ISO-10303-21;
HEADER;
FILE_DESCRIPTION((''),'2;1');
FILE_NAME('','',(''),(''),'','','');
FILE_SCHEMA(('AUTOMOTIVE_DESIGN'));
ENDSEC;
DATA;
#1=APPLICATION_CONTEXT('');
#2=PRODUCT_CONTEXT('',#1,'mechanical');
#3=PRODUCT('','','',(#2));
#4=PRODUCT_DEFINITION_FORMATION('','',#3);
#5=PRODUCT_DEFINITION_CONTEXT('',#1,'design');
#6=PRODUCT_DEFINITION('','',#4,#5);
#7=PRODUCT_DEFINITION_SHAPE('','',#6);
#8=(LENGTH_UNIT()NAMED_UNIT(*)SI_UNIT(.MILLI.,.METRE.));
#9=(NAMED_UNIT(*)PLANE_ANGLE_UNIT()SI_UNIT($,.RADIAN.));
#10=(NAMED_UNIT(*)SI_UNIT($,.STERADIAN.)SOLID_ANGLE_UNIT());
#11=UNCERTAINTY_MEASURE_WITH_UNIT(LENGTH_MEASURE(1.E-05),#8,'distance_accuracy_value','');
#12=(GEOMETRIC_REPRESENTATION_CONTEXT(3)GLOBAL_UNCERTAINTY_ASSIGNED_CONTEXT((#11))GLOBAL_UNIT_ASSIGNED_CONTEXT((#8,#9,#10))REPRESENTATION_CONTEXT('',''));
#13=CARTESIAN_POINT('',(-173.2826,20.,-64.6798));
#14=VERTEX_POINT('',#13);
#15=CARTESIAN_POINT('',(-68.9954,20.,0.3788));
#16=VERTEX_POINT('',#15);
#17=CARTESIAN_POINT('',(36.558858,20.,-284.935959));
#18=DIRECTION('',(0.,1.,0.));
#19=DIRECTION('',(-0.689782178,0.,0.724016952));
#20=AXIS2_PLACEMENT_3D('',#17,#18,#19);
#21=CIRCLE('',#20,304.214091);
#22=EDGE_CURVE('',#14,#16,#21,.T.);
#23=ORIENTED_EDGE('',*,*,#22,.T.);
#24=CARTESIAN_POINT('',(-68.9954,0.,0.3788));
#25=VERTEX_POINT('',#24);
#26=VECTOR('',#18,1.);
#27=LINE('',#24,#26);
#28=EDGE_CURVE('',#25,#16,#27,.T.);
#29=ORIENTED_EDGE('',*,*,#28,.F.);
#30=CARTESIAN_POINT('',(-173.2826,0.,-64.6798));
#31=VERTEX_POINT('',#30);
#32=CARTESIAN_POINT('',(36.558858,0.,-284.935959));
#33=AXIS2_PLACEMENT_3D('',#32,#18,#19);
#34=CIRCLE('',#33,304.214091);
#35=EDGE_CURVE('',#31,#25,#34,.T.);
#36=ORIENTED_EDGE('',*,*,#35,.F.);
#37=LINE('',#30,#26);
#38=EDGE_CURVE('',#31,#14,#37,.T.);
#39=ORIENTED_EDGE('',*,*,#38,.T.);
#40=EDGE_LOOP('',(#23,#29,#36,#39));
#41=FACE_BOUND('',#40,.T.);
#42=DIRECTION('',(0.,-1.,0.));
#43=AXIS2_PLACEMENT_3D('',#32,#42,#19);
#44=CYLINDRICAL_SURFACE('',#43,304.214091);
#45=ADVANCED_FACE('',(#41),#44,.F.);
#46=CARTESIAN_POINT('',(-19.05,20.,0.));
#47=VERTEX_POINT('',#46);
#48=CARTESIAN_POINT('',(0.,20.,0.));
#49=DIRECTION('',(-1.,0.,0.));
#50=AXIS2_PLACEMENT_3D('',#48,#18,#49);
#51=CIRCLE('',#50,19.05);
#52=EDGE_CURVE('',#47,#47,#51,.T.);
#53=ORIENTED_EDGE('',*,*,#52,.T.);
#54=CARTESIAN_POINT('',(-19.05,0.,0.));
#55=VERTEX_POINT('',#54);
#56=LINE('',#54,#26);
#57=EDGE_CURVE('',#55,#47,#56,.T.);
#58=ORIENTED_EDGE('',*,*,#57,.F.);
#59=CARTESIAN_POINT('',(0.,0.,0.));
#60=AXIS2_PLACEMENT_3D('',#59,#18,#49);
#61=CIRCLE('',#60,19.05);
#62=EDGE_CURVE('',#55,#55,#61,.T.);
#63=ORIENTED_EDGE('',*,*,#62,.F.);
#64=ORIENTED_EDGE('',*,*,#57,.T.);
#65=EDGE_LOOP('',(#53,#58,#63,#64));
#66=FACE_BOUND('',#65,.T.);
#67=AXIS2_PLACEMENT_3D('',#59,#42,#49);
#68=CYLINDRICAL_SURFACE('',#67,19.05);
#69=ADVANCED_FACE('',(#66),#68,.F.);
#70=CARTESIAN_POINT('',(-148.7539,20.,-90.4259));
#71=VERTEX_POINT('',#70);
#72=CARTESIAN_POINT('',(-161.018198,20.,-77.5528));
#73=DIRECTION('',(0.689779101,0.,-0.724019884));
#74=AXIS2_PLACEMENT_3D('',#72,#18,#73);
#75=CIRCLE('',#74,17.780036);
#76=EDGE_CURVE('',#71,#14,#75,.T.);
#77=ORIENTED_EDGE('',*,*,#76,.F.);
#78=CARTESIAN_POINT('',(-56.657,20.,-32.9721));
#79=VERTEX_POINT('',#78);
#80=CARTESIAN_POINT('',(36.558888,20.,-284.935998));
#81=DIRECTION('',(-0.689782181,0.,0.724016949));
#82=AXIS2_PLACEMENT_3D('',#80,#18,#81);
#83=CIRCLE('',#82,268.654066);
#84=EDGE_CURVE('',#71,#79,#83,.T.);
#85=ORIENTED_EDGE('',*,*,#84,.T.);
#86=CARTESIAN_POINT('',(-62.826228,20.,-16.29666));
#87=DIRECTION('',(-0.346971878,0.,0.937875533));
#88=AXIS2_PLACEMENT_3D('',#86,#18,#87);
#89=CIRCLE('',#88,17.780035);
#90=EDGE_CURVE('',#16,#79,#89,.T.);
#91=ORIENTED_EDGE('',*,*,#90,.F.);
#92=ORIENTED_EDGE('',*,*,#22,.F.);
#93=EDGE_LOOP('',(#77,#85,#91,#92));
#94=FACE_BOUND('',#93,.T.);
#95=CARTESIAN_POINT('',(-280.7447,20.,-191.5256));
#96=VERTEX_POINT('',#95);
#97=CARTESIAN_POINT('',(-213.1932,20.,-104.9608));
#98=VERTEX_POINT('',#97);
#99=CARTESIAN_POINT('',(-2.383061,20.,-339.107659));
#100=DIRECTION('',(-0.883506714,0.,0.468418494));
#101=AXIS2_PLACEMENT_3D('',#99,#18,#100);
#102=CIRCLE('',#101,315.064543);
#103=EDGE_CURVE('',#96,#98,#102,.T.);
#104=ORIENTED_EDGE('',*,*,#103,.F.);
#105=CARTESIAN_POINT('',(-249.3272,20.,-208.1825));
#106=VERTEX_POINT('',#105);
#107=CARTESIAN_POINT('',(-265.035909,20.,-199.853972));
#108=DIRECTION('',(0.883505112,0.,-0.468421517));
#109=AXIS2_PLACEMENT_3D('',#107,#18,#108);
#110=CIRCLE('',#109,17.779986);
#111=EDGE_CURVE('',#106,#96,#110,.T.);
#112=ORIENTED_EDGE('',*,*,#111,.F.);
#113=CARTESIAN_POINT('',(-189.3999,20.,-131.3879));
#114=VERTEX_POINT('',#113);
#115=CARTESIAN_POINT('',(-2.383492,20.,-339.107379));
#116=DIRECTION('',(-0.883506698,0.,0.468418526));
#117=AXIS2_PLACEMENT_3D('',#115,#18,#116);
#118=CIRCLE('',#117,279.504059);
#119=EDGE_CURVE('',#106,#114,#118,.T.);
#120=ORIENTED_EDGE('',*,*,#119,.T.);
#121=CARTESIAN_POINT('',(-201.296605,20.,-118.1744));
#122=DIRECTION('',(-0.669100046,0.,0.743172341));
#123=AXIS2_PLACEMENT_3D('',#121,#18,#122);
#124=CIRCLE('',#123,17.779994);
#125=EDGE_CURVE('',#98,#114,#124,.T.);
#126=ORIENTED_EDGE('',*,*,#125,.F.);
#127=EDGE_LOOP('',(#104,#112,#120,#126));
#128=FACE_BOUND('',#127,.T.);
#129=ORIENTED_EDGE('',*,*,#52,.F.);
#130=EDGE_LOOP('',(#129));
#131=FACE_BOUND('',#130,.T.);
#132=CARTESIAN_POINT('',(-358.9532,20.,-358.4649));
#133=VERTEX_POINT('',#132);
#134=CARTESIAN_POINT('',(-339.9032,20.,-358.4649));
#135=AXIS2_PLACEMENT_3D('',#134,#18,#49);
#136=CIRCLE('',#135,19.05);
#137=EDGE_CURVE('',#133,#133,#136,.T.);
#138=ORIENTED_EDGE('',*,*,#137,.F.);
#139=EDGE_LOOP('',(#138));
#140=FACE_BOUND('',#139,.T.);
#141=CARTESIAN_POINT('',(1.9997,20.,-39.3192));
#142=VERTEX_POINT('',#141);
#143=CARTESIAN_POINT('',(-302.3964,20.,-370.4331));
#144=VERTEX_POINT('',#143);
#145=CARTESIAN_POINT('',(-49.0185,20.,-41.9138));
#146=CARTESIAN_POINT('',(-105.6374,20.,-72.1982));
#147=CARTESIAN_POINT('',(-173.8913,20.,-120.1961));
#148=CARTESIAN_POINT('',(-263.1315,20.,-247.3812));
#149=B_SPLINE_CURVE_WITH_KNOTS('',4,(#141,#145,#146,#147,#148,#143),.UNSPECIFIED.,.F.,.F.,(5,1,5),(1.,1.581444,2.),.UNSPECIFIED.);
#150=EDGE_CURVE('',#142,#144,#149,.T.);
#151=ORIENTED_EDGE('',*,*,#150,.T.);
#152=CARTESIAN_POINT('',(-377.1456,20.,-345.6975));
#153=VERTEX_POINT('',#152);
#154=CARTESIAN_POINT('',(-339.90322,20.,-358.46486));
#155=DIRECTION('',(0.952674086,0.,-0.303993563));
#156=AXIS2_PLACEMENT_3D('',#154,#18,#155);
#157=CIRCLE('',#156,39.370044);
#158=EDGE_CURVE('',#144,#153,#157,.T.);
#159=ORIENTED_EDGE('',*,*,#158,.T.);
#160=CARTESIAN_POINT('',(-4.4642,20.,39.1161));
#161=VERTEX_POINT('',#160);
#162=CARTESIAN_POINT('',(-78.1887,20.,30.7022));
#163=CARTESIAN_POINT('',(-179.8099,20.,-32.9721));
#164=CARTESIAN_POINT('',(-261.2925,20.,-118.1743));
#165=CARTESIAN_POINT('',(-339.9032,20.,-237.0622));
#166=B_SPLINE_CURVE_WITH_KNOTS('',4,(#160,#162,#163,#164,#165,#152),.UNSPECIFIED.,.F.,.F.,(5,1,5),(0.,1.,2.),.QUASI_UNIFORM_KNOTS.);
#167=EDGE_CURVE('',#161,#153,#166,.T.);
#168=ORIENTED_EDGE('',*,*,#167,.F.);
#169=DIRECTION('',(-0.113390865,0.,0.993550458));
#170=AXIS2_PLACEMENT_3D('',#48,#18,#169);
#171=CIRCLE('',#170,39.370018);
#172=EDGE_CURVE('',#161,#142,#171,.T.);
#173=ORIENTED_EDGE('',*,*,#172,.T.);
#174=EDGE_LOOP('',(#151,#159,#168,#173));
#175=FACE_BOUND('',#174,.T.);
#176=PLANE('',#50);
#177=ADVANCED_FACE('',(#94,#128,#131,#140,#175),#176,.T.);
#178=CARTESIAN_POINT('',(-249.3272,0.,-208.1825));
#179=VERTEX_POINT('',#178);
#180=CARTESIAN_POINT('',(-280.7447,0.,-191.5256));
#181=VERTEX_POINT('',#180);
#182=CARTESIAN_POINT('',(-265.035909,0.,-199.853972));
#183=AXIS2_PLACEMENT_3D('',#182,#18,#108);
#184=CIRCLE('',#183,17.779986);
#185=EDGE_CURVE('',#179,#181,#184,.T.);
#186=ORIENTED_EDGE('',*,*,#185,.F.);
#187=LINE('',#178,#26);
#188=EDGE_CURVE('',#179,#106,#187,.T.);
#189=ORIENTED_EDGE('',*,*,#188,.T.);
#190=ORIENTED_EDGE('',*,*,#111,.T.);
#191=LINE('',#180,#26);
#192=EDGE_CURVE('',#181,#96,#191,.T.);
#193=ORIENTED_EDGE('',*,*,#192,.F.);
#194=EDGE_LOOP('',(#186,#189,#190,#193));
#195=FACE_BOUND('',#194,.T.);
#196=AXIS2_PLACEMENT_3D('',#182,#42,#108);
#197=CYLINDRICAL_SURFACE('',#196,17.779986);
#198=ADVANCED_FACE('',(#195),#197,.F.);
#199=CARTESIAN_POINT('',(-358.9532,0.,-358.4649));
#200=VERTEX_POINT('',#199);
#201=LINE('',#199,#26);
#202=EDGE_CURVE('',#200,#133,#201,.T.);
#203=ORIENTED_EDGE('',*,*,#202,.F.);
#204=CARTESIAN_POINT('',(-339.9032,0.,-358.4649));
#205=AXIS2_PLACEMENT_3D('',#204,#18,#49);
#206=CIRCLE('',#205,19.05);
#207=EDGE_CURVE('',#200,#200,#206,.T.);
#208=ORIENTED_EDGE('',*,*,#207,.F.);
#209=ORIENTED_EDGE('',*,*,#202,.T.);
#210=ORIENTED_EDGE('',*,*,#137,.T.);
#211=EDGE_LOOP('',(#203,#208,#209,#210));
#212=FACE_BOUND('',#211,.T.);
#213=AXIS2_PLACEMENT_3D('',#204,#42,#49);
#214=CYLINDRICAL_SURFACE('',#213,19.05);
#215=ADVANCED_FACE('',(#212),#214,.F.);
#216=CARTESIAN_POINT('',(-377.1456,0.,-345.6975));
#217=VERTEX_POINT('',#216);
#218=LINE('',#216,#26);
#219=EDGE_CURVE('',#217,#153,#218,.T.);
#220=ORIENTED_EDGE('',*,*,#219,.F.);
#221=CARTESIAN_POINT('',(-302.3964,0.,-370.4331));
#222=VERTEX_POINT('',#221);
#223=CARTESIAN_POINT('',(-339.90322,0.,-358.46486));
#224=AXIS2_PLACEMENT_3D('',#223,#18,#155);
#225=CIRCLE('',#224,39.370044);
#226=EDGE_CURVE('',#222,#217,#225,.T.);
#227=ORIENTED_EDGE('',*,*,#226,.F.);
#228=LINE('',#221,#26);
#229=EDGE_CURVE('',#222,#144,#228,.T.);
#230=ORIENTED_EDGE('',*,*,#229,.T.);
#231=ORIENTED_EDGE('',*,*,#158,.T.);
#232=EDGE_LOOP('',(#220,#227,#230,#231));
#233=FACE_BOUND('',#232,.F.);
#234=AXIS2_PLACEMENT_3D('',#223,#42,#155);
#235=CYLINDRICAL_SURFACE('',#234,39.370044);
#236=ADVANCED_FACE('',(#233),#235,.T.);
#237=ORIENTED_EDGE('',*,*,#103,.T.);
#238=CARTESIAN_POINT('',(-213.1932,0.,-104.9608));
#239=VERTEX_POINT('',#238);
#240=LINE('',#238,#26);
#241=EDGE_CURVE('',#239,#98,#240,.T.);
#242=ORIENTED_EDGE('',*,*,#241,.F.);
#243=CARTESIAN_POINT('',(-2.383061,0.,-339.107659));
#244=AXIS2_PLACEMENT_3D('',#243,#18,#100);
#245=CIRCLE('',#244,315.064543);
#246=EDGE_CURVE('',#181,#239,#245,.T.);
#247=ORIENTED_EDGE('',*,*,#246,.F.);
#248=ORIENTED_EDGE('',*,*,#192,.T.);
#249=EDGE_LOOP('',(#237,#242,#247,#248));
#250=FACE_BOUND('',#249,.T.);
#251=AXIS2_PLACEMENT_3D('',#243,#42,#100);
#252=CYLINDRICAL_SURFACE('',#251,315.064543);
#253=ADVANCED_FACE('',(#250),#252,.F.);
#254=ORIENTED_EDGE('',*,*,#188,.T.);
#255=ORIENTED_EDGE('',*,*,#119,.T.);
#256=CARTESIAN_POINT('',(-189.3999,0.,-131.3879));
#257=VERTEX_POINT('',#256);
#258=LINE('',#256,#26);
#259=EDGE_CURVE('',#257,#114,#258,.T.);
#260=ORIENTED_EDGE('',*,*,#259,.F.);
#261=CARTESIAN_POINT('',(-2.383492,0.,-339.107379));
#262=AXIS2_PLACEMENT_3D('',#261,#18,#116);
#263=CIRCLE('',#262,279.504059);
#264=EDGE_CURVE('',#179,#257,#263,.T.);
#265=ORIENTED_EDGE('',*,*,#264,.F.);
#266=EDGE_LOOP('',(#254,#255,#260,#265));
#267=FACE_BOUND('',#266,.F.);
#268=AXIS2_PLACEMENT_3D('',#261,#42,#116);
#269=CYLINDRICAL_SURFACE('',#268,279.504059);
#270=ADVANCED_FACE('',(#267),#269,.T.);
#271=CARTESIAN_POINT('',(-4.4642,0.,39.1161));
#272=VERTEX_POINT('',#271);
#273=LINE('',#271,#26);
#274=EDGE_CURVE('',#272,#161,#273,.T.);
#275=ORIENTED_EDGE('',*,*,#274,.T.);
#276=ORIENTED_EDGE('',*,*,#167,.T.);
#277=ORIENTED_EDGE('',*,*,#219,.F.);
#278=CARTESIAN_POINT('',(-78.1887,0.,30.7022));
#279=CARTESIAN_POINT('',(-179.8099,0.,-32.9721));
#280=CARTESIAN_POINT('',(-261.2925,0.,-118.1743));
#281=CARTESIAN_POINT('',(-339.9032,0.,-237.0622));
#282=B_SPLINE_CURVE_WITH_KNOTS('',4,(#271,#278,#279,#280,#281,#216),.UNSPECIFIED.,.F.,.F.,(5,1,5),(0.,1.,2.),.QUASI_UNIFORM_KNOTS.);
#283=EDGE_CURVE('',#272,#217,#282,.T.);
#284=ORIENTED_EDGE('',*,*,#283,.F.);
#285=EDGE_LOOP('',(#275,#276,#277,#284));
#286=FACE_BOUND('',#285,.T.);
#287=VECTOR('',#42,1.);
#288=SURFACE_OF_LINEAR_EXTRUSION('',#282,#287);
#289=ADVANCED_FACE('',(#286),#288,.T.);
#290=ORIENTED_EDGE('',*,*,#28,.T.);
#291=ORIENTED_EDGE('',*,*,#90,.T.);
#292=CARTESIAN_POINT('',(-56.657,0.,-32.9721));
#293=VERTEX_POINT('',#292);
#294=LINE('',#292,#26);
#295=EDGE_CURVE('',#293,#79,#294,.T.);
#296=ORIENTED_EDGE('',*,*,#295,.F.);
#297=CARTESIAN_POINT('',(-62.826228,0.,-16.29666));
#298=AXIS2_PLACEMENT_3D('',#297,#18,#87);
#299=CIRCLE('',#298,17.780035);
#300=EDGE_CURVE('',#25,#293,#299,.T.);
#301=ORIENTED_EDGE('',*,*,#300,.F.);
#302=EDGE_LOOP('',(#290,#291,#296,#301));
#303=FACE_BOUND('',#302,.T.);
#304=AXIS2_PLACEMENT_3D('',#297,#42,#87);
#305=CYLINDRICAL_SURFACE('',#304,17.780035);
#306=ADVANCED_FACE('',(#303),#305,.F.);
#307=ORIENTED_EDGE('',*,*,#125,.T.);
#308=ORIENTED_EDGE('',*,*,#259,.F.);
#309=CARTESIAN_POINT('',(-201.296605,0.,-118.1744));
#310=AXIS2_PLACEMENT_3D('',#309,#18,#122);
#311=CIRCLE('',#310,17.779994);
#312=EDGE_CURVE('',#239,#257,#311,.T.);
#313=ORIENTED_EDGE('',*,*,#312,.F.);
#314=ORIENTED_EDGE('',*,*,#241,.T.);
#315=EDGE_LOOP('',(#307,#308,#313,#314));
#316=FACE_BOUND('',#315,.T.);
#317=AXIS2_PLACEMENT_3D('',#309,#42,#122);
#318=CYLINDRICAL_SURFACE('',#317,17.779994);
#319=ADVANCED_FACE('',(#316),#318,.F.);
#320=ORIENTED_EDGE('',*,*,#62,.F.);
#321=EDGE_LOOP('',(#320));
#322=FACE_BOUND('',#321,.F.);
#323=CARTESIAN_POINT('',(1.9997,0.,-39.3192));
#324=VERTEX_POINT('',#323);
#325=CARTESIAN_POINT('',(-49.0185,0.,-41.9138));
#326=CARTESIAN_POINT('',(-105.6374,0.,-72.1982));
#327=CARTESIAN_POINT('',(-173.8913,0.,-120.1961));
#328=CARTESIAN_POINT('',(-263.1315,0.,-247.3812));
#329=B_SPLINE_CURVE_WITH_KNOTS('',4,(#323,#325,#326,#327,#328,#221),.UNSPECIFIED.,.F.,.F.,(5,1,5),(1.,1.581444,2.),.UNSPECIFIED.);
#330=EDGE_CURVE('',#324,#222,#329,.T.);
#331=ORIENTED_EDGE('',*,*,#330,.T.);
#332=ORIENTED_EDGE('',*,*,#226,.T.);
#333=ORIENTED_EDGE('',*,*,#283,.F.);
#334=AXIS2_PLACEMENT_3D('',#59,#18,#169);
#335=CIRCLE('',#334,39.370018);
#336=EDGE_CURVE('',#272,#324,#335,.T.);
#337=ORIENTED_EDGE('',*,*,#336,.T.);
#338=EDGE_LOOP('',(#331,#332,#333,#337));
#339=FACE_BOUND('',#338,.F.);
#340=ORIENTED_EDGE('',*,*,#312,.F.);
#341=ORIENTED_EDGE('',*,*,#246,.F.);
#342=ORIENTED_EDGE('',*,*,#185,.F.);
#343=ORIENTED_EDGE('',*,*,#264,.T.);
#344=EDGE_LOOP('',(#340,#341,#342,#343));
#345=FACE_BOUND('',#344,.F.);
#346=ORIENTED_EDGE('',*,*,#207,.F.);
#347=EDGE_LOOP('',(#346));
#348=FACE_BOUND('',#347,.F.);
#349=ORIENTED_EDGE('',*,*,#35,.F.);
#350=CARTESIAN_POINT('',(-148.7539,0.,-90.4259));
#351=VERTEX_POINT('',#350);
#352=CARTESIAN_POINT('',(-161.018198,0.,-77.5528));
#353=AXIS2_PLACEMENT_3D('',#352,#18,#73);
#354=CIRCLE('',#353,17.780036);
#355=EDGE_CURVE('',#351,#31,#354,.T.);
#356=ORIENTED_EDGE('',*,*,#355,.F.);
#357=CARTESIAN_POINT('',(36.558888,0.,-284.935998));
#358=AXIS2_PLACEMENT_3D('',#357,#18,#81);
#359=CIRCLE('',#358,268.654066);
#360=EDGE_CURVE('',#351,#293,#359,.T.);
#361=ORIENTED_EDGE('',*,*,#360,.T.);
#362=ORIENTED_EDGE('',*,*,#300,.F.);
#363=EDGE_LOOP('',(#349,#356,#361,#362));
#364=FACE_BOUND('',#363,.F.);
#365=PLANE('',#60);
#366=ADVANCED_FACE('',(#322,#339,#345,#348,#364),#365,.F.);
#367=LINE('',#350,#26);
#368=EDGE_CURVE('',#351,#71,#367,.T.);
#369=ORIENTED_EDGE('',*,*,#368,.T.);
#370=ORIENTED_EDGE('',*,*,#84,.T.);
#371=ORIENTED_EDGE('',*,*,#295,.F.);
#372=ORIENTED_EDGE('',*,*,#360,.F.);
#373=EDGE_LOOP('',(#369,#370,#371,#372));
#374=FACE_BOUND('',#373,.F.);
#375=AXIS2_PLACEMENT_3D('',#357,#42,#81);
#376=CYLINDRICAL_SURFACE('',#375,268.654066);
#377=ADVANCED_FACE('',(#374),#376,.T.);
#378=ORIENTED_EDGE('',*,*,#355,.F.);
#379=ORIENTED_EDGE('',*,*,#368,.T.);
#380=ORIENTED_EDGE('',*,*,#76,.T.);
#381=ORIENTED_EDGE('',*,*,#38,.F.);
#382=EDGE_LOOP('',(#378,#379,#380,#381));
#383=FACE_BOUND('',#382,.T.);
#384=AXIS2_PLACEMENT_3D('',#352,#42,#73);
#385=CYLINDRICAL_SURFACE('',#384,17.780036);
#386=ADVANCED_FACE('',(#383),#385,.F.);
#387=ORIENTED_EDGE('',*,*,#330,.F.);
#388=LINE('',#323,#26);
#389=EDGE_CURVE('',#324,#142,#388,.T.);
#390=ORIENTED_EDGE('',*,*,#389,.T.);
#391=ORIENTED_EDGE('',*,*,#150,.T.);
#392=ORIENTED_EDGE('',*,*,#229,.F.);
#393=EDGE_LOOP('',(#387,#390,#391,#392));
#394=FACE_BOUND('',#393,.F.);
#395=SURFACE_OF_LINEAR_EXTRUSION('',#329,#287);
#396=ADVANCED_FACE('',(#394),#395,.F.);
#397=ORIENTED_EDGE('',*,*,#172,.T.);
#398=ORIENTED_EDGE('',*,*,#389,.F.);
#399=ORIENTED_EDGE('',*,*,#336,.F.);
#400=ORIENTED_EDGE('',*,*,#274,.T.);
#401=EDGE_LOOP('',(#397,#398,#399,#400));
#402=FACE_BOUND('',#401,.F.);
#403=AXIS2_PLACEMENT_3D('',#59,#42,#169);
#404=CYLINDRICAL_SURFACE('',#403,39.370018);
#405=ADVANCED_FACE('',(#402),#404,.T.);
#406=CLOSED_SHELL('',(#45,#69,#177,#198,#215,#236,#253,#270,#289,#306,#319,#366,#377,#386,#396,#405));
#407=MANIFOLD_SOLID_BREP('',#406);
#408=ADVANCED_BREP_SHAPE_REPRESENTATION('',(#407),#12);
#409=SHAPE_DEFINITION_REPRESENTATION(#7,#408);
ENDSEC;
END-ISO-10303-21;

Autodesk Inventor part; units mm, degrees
ref_plane "YZ Plane" through (0, 0, 0) normal (1, 0, 0) x (0, 1, 0)
ref_plane "XZ Plane" through (0, 0, 0) normal (0, 1, 0) x (-1, 0, 0)
ref_plane "XY Plane" through (0, 0, 0) normal (0, 0, 1) x (1, 0, 0)
sketch "Sketch1" plane through (0, 0, 0) normal (0, 1, 0) x (-1, 0, 0)
  circle A0 centre (0, 0) radius 19.05
  arc A1 (4.4642, 39.1161) -> (-1.9997, -39.3192) centre (0, 0) ccw
  line L0 (-1.9997, -39.3192) -> (49.0185, -41.9138) construction
  line L1 (263.1315, -247.3812) -> (302.3964, -370.4331) construction
  spline S0 degree 4 poles (-1.9997, -39.3192) (49.0185, -41.9138) (105.6374, -72.1982) (173.8913, -120.1961) (263.1315, -247.3812) (302.3964, -370.4331) knots 1 1 1 1 1 1.581444 2 2 2 2 2
  line L2 (4.4642, 39.1161) -> (78.1887, 30.7022) construction
  line L3 (339.9032, -237.0622) -> (377.1456, -345.6975) construction
  spline S1 degree 4 poles (4.4642, 39.1161) (78.1887, 30.7022) (179.8099, -32.9721) (261.2925, -118.1743) (339.9032, -237.0622) (377.1456, -345.6975) knots 0 0 0 0 0 1 2 2 2 2 2
  circle A2 centre (339.9032, -358.4649) radius 19.05
  arc A3 (302.3964, -370.4331) -> (377.1456, -345.6975) centre (339.9032, -358.4649) ccw
  circle A4 centre (339.9032, -358.4649) radius 15.8726 construction
  arc A5 (265.0359, -199.854) -> (201.2966, -118.1743) centre (2.3813, -339.1088) ccw construction
  arc A6 (280.7447, -191.5256) -> (213.1932, -104.9608) centre (2.3813, -339.1088) ccw
  arc A7 (249.3272, -208.1825) -> (189.3999, -131.3879) centre (2.3813, -339.1088) ccw
  arc A8 (249.3272, -208.1825) -> (280.7447, -191.5256) centre (265.0359, -199.854) ccw
  arc A9 (213.1932, -104.9608) -> (189.3999, -131.3879) centre (201.2966, -118.1743) ccw
  arc A10 (161.0182, -77.5529) -> (62.8262, -16.2966) centre (-36.5592, -284.9364) ccw construction
  arc A11 (173.2826, -64.6798) -> (68.9954, 0.3788) centre (-36.5592, -284.9364) ccw
  arc A12 (148.7539, -90.4259) -> (56.657, -32.9721) centre (-36.5592, -284.9364) ccw
  arc A13 (148.7539, -90.4259) -> (173.2826, -64.6798) centre (161.0182, -77.5529) ccw
  arc A14 (68.9954, 0.3788) -> (56.657, -32.9721) centre (62.8262, -16.2966) ccw
  line L4 (78.1887, 30.7022) -> (179.8099, -32.9721) construction
  line L5 (179.8099, -32.9721) -> (261.2925, -118.1743) construction
  line L6 (261.2925, -118.1743) -> (339.9032, -237.0622) construction
  line L7 (49.0185, -41.9138) -> (105.6374, -72.1982) construction
  line L8 (105.6374, -72.1982) -> (173.8913, -120.1961) construction
  line L9 (173.8913, -120.1961) -> (263.1315, -247.3812) construction
  dimension "d0" = 38.1
  dimension "d1" = 20.32
  dimension "d2" = 38.1
  dimension "d3" = 20.32
  dimension "d6" = 17.78
  dimension "d7" = 17.78
extrude "Extrusion1" add sketch "Sketch1" along normal blind 20
equation "\"d1\" = d3"
equation "\"d2\" = d0"
equation "\"d7\" = d6"
properties part number "Profile" material "Aluminum 6061"
